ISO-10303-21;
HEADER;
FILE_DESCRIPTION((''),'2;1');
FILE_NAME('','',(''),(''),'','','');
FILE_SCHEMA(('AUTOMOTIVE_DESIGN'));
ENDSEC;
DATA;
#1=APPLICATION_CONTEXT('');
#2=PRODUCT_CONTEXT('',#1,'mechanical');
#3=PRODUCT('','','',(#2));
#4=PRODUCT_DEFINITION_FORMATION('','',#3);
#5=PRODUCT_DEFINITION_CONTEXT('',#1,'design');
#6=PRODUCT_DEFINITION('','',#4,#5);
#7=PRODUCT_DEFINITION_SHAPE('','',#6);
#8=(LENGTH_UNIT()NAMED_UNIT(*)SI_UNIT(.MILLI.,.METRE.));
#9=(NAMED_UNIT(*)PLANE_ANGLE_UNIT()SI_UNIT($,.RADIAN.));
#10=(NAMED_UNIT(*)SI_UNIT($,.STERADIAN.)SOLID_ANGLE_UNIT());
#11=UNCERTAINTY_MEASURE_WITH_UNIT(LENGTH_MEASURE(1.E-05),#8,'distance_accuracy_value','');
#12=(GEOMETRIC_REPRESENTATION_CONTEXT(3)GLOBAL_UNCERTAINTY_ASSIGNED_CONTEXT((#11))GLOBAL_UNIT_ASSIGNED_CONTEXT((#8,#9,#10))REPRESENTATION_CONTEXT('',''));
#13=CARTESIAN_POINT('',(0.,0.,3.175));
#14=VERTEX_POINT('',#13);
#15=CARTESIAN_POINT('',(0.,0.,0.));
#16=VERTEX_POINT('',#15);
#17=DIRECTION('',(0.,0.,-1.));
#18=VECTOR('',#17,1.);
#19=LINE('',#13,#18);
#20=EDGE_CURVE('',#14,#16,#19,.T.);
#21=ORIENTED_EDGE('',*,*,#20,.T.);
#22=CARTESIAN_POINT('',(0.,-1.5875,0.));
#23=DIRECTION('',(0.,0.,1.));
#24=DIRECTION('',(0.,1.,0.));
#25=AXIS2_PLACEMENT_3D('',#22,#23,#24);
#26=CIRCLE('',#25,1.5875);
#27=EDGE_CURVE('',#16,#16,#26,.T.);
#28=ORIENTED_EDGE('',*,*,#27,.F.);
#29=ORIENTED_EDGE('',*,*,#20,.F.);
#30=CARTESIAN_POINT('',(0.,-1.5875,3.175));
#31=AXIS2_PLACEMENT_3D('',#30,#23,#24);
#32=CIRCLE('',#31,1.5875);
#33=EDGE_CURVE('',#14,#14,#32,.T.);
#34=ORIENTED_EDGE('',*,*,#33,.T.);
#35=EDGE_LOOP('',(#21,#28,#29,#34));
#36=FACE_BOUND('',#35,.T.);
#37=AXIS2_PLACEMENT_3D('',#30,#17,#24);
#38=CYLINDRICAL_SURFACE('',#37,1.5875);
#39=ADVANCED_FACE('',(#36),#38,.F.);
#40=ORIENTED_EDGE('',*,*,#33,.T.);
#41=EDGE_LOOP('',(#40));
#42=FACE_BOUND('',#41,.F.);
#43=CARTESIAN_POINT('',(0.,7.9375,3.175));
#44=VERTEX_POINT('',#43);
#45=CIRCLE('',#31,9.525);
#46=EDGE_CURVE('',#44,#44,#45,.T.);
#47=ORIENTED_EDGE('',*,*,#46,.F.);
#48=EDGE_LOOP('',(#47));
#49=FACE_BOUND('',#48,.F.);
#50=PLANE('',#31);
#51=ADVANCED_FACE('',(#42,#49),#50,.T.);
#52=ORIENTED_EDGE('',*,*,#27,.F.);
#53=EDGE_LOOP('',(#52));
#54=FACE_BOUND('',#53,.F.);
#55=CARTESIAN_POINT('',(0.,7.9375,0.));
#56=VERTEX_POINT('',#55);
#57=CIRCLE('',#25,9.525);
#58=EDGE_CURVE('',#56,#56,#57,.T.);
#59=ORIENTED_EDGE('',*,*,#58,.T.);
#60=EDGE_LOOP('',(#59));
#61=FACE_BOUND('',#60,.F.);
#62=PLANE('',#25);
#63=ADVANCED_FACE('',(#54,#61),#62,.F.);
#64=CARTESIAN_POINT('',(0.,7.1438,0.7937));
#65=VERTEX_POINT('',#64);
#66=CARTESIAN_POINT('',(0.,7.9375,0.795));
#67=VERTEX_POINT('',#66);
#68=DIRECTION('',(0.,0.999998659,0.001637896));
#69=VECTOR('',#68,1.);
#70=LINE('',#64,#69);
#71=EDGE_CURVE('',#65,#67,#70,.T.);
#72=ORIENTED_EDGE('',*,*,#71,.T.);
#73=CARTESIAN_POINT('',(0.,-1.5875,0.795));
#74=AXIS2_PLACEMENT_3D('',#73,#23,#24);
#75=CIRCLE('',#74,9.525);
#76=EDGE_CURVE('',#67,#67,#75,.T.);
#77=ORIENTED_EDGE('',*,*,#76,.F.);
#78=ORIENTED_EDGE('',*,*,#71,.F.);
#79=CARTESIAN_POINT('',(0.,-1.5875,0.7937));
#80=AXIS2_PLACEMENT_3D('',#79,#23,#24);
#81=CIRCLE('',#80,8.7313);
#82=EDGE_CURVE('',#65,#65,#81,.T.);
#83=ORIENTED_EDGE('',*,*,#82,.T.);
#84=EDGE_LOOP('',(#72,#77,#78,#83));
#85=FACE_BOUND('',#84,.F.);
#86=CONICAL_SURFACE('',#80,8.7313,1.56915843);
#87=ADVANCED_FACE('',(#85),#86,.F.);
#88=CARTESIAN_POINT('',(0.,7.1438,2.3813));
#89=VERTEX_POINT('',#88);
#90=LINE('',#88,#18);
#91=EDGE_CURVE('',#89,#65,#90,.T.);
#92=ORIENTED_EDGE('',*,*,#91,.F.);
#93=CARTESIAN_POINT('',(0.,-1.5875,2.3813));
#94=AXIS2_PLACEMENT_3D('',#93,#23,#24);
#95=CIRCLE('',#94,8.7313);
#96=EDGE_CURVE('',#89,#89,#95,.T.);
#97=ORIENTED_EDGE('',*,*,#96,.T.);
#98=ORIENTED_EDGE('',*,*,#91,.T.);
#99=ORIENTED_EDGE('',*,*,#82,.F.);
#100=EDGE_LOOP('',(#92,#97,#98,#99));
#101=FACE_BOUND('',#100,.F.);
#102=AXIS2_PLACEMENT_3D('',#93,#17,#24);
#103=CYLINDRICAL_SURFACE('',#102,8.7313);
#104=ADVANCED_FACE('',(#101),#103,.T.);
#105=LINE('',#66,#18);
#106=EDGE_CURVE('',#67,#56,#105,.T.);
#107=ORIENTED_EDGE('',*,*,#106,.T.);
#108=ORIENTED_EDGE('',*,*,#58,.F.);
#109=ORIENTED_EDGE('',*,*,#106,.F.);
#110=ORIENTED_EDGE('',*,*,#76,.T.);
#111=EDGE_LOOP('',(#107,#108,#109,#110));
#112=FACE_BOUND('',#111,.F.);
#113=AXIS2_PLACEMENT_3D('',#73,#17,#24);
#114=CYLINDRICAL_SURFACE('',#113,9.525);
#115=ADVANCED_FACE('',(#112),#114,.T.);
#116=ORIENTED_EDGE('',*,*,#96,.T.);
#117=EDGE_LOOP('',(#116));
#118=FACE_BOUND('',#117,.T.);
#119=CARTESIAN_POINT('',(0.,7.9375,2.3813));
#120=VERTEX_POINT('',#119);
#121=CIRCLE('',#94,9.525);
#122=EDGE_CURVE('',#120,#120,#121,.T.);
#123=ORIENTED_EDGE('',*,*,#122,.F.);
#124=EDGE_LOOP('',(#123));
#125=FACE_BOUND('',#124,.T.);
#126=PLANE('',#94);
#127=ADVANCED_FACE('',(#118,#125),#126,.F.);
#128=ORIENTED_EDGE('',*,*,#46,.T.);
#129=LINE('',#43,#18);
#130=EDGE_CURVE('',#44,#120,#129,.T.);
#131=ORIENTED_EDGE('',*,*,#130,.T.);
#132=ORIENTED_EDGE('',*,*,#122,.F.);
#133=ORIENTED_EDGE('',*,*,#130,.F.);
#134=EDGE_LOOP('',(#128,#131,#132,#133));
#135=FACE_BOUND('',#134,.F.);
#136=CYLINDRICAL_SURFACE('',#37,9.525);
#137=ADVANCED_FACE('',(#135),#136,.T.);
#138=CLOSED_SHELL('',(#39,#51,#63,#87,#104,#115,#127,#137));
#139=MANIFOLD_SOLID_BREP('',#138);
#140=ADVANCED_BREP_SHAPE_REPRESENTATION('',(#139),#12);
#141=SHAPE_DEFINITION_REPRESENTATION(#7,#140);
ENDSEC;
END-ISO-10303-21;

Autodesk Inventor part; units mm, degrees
ref_plane "YZ Plane" through (0, 0, 0) normal (1, 0, 0) x (0, 1, 0)
ref_plane "XZ Plane" through (0, 0, 0) normal (0, 1, 0) x (-1, 0, 0)
ref_plane "XY Plane" through (0, 0, 0) normal (0, 0, 1) x (1, 0, 0)
sketch "Sketch1" plane through (0, 0, 0) normal (1, 0, 0) x (0, 1, 0)
  line L0 (7.1438, 2.3813) -> (7.9375, 2.3813)
  line L1 (7.9375, 1.5875) -> (7.935, 1.5875)
  line L2 (7.935, 0.8096) -> (7.9375, 0.8096)
  line L3 (7.1438, 0.7937) -> (7.9375, 0.795)
  line L4 (7.1438, 2.3813) -> (7.1438, 0.7937)
  line L5 (7.9375, 3.175) -> (7.9375, 2.3813)
  line L6 (7.9375, 0.795) -> (7.9375, 0)
  line L7 (-1.5875, 3.175) -> (-1.5875, 0)
  line L8 (0, 3.175) -> (0, 0)
  line L9 (-1.5875, 0) -> (-1.5875, 3.175)
  line L10 (0, 3.175) -> (7.9375, 3.175)
  line L11 (7.9375, 0) -> (0, 0)
  point P0 (0, 0)
  dimension "d1" = 3.175
  dimension "d2" = 0.7937
  dimension "d4" = 0.0025
  dimension "d5" = 0.7937
  dimension "d9" = 9.525
  dimension "d10" = 1.5875
revolve "Revolution2" add sketch "Sketch1" angle 360 about axis through (0, -1.5875, 0) along (0, 0, 1)
properties part number "AM_Pulley" material "ABS Plastic"
